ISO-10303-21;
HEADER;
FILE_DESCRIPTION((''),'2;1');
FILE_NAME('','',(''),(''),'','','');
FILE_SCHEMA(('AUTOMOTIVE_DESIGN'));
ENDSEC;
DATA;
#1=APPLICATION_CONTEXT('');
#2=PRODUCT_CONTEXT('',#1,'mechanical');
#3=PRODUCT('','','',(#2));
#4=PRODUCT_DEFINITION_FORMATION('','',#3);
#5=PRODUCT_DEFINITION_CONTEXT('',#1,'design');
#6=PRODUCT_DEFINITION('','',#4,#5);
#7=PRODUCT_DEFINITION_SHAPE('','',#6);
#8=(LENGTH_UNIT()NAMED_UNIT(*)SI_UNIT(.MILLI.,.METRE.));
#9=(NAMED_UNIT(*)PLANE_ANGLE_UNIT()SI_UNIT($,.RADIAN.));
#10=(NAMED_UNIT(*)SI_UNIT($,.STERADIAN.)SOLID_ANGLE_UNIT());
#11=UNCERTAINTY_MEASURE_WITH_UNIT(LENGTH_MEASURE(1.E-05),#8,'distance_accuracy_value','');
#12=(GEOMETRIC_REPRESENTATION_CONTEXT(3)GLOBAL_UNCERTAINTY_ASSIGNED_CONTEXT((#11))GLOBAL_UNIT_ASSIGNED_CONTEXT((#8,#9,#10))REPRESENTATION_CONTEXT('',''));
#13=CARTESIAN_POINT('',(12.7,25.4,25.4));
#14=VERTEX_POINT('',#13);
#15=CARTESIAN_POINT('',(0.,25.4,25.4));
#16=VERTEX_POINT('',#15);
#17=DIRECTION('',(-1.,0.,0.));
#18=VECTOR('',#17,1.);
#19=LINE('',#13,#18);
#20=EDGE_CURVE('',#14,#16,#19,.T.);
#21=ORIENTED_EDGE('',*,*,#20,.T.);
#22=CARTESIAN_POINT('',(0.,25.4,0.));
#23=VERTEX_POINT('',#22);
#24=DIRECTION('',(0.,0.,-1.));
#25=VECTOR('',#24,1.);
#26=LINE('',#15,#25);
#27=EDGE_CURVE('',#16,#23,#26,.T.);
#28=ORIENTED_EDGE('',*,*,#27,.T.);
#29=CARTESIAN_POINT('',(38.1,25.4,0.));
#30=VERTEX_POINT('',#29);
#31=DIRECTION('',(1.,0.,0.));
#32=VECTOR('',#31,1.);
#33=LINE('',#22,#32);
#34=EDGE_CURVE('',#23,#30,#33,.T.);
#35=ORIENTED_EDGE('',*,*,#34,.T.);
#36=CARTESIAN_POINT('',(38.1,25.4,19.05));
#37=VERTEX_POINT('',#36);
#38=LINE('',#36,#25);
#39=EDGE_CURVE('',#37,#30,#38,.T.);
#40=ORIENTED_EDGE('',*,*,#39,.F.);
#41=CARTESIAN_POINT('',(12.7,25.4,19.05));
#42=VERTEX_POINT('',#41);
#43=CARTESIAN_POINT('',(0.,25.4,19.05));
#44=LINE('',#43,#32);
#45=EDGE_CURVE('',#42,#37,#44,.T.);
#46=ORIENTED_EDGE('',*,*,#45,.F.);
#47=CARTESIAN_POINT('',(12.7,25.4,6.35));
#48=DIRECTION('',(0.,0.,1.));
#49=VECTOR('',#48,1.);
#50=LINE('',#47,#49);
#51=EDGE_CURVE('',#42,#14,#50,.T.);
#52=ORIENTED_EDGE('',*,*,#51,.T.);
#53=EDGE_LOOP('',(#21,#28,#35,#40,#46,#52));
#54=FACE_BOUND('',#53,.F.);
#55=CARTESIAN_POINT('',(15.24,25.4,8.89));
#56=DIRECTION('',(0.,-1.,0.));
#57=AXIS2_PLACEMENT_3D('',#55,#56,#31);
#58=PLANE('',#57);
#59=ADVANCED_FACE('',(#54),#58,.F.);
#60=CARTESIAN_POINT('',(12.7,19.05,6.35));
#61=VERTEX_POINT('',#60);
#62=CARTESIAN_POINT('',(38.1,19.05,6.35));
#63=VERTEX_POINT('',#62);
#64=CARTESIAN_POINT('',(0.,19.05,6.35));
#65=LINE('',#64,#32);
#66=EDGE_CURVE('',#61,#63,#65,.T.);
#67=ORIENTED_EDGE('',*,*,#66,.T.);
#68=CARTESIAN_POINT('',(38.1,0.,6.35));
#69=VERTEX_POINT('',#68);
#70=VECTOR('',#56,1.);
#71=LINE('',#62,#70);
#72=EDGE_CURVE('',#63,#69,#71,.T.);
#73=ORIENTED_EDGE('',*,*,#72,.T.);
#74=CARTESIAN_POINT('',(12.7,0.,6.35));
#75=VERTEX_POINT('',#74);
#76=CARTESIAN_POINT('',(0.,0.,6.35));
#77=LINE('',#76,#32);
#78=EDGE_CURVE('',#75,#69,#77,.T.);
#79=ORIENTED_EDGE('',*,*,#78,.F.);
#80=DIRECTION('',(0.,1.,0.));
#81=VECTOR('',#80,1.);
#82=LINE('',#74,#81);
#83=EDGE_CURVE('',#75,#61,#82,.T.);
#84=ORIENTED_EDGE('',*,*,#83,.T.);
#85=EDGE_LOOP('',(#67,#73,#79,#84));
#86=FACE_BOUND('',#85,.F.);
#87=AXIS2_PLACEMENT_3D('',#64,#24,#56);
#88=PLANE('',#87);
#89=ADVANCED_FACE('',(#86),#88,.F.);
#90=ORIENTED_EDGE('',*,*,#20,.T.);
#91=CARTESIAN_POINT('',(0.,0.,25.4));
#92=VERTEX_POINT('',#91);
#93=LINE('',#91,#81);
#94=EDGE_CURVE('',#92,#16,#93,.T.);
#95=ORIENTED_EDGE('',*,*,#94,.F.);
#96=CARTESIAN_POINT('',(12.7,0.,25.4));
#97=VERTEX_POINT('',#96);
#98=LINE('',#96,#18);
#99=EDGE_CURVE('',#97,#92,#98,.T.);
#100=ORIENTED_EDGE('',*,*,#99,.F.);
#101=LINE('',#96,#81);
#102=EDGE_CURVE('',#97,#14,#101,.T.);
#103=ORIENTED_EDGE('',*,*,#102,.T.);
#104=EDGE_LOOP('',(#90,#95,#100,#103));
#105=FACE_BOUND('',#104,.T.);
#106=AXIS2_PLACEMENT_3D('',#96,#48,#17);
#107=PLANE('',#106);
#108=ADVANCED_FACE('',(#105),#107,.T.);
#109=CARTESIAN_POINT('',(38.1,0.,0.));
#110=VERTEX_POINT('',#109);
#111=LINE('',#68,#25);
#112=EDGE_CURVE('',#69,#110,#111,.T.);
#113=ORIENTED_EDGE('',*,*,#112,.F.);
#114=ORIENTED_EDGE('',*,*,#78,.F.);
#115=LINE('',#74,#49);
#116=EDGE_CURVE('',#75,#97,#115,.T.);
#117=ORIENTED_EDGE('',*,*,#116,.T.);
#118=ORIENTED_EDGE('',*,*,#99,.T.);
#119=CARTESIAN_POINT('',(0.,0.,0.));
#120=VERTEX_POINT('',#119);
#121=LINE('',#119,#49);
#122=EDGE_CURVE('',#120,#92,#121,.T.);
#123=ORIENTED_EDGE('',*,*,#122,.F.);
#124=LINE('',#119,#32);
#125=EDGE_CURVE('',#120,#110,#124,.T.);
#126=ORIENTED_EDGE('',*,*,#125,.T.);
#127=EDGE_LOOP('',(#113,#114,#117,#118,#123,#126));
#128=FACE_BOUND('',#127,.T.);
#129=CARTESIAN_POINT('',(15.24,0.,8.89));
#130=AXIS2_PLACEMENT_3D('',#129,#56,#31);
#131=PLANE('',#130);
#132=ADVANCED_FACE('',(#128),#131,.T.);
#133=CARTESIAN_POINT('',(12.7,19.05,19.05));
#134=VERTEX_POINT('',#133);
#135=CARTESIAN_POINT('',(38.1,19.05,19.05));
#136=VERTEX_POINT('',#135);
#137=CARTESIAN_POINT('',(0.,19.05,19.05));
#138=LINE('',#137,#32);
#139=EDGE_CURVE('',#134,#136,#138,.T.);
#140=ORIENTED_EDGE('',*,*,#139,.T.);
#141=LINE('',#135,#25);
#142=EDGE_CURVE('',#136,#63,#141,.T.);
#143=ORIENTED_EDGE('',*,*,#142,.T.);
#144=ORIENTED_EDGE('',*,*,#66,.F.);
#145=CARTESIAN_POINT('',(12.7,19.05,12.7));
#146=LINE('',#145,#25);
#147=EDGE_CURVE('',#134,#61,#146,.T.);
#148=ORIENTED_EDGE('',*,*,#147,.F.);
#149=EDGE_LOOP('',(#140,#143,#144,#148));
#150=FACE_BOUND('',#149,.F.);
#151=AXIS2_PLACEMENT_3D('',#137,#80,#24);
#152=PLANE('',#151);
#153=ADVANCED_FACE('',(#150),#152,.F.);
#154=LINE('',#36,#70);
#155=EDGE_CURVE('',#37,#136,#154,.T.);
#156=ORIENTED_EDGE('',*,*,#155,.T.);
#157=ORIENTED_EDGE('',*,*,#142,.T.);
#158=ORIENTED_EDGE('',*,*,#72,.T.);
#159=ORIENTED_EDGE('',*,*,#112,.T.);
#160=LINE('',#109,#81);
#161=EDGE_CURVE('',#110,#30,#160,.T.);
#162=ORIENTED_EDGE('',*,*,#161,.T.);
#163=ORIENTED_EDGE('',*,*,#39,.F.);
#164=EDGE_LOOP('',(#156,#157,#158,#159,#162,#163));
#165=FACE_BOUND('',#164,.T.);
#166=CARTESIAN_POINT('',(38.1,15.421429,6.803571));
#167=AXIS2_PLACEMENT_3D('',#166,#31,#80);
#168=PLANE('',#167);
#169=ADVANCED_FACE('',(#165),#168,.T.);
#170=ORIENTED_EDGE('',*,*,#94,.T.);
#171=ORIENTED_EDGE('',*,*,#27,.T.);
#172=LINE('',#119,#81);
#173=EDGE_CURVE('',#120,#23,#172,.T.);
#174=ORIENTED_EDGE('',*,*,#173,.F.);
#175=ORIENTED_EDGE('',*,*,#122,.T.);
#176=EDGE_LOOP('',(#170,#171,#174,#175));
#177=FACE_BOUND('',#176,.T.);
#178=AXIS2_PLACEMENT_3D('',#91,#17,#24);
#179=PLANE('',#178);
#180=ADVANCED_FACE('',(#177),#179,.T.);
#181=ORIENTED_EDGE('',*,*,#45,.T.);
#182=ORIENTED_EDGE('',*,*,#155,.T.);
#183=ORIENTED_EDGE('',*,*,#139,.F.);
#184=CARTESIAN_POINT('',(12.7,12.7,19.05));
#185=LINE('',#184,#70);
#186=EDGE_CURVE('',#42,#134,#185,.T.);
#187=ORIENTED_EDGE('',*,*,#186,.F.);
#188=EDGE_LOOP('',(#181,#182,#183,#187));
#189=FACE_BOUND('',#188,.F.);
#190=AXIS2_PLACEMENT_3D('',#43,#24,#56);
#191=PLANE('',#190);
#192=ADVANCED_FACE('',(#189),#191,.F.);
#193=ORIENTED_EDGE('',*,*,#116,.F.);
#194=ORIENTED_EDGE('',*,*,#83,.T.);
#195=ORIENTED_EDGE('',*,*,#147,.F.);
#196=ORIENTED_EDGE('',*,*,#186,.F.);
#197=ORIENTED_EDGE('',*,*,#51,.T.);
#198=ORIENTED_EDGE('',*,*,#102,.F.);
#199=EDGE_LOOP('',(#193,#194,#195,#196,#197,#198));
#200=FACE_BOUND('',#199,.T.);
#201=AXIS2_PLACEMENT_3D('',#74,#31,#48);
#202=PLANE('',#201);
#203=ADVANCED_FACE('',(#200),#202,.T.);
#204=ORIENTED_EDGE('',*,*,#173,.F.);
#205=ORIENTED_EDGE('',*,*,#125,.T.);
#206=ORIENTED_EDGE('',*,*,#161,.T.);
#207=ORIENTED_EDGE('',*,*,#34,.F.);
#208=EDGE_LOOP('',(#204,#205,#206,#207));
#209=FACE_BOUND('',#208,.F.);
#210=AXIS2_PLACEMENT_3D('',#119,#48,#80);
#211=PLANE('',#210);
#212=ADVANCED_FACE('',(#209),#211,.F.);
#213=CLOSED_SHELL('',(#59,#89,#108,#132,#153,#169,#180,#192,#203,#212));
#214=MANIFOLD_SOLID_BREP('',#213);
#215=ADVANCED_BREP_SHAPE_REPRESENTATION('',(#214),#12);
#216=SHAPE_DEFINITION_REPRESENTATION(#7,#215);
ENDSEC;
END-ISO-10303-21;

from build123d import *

# Parameters (mm, degrees)
F2_DEPTH = 38.1
F3_DEPTH = 25.4


with BuildPart() as f2:
    # F1 (on Right) → F2 (new body)
    with BuildSketch(Plane.YZ):
        Polygon((0, 6.35), (0, 0), (25.4, 0), (25.4, 19.05), (19.05, 19.05), (19.05, 6.35), align=None)
    extrude(amount=F2_DEPTH)

    # F0 (on Front) → F3 (join)
    with BuildSketch(Plane.XZ):
        Polygon((0, 25.4), (0, 0), (38.1, 0), (38.1, 6.35), (12.7, 6.35), (12.7, 25.4), align=None)
    extrude(amount=-F3_DEPTH)


solid = f2.part
